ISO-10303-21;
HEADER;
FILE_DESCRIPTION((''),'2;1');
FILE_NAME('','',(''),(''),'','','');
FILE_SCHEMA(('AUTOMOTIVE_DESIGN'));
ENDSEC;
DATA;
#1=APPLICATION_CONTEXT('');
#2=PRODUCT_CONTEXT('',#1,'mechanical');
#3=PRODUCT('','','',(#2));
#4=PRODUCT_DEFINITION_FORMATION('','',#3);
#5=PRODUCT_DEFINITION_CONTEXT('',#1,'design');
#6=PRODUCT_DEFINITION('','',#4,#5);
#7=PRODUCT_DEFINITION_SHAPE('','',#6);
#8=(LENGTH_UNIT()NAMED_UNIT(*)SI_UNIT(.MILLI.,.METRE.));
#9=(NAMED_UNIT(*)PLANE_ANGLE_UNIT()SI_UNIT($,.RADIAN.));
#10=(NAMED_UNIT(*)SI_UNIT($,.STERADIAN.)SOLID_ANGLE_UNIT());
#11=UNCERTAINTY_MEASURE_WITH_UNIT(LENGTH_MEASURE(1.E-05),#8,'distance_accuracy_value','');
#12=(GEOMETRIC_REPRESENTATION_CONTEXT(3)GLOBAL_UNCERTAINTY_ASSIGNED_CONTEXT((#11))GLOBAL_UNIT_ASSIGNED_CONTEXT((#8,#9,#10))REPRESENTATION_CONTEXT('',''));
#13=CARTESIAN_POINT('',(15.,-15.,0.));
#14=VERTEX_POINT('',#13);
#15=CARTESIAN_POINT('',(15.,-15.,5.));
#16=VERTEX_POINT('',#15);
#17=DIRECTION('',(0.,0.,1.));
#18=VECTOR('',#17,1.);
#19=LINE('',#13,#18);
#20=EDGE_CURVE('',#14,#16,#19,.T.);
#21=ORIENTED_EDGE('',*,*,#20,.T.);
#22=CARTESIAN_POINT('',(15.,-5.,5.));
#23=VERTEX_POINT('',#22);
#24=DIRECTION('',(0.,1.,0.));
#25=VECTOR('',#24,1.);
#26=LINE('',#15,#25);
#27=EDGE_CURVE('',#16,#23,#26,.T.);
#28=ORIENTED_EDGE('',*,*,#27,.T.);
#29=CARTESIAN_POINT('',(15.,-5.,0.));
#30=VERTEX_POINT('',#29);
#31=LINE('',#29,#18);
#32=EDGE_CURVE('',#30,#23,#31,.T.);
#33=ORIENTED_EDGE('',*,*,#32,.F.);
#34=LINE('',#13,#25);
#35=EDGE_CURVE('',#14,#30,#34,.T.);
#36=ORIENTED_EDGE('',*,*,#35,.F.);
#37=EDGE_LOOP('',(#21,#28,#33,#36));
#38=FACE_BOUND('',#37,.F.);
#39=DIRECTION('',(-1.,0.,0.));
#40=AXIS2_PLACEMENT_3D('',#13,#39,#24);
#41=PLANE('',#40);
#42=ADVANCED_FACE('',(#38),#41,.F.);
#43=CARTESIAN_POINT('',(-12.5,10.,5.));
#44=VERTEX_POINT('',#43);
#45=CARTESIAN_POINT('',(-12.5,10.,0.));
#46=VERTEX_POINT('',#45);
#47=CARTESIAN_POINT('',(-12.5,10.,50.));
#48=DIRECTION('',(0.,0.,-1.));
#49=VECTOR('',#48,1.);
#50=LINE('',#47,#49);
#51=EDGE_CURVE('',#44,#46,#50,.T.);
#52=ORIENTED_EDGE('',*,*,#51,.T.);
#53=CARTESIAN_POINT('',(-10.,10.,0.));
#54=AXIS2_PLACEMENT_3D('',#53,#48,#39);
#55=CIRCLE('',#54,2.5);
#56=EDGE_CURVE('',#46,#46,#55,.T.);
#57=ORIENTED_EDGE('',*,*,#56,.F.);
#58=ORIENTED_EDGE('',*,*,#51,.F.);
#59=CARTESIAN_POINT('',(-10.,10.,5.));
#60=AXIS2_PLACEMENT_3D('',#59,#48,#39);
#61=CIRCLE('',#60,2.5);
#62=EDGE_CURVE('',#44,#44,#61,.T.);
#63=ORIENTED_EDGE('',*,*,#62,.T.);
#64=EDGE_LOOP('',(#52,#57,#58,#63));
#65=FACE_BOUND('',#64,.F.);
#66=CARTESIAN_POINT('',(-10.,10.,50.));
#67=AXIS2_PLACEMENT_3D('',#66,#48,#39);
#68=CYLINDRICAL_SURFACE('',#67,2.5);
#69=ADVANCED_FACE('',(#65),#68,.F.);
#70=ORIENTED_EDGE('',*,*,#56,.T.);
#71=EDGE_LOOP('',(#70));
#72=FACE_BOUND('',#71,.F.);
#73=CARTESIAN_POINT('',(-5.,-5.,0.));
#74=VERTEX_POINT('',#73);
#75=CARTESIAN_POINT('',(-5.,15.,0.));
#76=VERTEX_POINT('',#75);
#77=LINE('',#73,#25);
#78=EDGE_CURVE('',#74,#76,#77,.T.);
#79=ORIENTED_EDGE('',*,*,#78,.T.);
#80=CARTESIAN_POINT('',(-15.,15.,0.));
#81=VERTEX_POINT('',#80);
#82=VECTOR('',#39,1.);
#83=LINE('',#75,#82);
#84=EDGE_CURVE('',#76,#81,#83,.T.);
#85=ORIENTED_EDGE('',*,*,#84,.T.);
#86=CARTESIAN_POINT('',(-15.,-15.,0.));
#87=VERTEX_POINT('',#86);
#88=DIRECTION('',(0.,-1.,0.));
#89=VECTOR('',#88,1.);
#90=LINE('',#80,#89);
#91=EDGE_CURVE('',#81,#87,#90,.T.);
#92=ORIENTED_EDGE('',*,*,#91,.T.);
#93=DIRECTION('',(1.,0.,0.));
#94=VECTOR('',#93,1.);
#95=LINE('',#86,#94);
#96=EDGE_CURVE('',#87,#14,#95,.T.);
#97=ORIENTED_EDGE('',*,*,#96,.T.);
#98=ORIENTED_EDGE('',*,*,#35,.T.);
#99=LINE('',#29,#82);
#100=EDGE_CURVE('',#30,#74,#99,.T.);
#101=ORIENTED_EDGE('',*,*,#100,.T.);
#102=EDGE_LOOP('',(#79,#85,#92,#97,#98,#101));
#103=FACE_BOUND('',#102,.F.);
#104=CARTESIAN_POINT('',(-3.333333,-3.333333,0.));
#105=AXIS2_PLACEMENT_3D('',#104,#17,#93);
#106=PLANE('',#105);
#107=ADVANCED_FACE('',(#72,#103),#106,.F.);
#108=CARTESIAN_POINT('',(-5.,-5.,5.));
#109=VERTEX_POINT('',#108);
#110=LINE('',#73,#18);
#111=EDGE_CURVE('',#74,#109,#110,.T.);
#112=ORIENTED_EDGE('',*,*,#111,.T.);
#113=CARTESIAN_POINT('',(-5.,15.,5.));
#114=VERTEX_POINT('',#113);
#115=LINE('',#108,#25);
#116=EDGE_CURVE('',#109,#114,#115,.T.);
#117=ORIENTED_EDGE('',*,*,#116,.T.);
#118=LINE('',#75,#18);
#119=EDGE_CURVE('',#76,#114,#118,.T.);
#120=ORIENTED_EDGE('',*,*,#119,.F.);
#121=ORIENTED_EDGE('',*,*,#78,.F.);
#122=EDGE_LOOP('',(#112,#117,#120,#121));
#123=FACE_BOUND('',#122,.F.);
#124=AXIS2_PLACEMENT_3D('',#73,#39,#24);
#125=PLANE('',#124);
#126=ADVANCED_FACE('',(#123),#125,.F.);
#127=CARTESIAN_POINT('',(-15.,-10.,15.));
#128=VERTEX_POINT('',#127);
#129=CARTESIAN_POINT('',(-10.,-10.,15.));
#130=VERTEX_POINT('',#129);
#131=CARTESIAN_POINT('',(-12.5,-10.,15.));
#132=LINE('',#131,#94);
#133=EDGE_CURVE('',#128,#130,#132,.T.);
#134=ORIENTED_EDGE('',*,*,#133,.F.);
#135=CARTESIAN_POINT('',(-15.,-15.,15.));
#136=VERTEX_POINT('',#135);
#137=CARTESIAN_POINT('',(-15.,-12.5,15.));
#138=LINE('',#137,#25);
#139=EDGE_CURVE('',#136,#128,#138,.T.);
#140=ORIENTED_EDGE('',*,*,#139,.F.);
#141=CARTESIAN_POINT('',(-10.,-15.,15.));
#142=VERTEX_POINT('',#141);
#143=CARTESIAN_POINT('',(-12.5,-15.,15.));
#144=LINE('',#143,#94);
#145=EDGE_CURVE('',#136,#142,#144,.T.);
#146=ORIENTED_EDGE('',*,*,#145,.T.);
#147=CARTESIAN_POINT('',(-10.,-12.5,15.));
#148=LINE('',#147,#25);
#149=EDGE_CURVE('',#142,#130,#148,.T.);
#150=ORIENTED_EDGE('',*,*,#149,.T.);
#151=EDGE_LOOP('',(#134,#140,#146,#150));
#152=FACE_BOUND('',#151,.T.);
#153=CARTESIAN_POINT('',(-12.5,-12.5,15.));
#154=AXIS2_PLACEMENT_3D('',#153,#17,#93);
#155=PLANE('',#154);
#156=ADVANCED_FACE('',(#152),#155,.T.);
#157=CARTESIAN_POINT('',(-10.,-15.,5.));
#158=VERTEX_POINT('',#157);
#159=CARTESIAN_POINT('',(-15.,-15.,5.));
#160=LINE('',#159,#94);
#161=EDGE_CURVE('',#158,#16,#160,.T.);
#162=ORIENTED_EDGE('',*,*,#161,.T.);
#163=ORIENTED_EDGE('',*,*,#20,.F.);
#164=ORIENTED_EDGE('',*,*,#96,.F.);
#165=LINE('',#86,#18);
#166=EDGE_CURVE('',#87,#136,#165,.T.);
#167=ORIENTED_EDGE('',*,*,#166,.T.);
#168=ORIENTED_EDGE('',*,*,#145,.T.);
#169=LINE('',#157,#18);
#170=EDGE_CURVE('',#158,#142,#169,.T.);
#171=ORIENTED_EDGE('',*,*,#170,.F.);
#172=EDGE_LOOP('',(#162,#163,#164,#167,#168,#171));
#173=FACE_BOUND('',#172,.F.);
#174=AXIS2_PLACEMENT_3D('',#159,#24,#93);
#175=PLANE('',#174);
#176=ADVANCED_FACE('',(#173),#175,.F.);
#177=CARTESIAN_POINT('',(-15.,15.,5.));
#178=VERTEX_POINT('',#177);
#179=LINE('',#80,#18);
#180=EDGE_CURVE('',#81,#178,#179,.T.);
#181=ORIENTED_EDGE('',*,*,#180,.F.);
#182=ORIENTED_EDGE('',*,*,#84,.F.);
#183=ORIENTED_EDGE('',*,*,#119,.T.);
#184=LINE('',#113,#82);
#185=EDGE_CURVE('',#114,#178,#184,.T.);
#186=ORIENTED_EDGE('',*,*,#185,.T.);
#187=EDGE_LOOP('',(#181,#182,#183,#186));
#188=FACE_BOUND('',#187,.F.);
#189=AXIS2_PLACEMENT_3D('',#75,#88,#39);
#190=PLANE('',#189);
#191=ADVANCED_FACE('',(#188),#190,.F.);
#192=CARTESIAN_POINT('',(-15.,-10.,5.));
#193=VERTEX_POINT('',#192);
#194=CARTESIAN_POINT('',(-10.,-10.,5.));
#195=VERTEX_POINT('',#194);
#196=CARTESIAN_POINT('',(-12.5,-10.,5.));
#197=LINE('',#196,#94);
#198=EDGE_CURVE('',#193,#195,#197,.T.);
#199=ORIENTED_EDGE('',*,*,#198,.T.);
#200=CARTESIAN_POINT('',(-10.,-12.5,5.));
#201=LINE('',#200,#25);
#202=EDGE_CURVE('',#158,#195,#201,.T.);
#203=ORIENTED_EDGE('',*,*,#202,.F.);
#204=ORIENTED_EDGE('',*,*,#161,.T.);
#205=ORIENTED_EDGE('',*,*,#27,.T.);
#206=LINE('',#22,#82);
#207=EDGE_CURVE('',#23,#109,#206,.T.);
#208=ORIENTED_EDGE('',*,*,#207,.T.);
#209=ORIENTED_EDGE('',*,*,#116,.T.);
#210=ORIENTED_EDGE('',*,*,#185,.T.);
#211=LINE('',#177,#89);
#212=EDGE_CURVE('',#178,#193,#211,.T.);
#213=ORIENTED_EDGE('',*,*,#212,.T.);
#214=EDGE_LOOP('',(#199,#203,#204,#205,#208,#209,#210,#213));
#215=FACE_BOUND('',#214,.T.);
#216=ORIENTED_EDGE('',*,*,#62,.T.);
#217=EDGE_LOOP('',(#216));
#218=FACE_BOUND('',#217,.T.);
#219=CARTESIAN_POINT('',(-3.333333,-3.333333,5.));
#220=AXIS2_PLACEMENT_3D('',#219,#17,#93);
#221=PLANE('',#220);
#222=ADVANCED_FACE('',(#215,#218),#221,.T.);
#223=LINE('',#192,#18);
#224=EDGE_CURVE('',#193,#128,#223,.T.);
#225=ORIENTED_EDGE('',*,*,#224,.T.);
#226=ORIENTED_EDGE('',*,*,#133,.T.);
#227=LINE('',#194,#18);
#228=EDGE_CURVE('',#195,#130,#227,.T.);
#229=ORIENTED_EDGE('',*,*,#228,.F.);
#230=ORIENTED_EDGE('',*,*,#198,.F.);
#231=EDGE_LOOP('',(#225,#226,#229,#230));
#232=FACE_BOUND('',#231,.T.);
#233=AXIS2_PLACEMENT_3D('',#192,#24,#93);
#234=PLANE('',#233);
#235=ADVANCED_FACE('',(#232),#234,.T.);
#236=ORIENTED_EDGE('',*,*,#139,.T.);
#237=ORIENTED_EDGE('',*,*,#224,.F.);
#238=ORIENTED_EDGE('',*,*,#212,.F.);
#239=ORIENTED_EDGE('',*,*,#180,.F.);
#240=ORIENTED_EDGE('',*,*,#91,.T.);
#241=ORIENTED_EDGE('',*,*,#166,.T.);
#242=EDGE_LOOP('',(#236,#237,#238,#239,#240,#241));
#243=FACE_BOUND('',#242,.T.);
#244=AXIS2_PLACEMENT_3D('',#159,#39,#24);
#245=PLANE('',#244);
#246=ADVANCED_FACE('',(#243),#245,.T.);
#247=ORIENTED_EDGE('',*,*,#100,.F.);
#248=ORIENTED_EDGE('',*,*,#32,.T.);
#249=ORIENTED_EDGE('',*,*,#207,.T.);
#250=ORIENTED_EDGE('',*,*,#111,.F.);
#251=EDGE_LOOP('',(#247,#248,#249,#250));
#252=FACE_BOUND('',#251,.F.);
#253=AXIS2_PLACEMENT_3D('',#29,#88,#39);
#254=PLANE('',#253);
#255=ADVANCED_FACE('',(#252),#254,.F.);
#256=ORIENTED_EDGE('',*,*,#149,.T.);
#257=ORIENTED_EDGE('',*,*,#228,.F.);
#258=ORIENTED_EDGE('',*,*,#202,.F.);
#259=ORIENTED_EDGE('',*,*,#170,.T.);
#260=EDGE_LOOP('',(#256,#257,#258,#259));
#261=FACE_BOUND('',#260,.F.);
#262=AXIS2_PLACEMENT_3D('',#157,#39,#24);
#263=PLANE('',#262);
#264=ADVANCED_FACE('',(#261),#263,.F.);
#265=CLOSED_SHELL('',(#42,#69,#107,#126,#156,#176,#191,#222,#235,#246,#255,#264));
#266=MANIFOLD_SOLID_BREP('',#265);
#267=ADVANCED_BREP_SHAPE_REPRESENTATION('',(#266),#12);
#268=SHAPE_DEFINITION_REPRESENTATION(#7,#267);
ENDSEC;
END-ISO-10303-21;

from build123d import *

# Parameters (mm, degrees)
F1_DEPTH = 5
F2_W     = 5
F2_H     = 5
F3_DEPTH = 10
F5_D     = 5


with BuildPart() as f1:
    # F0 (on Top) → F1 (new body)
    with BuildSketch(Plane.XY):
        Polygon((-15, -15), (15, -15), (15, -5), (-5, -5), (-5, 15), (-15, 15), align=None)
    extrude(amount=F1_DEPTH)

    # F2 (on face) → F3 (join)
    with BuildSketch(Plane.XY.offset(5)):
        with Locations((-12.5, -12.5)):
            Rectangle(F2_W, F2_H)
    extrude(amount=F3_DEPTH)

    # F5 (through all)
    with Locations(Plane.XY.offset(5)):
        with Locations((-10, 10)):
            Hole(F5_D / 2)


solid = f1.part
